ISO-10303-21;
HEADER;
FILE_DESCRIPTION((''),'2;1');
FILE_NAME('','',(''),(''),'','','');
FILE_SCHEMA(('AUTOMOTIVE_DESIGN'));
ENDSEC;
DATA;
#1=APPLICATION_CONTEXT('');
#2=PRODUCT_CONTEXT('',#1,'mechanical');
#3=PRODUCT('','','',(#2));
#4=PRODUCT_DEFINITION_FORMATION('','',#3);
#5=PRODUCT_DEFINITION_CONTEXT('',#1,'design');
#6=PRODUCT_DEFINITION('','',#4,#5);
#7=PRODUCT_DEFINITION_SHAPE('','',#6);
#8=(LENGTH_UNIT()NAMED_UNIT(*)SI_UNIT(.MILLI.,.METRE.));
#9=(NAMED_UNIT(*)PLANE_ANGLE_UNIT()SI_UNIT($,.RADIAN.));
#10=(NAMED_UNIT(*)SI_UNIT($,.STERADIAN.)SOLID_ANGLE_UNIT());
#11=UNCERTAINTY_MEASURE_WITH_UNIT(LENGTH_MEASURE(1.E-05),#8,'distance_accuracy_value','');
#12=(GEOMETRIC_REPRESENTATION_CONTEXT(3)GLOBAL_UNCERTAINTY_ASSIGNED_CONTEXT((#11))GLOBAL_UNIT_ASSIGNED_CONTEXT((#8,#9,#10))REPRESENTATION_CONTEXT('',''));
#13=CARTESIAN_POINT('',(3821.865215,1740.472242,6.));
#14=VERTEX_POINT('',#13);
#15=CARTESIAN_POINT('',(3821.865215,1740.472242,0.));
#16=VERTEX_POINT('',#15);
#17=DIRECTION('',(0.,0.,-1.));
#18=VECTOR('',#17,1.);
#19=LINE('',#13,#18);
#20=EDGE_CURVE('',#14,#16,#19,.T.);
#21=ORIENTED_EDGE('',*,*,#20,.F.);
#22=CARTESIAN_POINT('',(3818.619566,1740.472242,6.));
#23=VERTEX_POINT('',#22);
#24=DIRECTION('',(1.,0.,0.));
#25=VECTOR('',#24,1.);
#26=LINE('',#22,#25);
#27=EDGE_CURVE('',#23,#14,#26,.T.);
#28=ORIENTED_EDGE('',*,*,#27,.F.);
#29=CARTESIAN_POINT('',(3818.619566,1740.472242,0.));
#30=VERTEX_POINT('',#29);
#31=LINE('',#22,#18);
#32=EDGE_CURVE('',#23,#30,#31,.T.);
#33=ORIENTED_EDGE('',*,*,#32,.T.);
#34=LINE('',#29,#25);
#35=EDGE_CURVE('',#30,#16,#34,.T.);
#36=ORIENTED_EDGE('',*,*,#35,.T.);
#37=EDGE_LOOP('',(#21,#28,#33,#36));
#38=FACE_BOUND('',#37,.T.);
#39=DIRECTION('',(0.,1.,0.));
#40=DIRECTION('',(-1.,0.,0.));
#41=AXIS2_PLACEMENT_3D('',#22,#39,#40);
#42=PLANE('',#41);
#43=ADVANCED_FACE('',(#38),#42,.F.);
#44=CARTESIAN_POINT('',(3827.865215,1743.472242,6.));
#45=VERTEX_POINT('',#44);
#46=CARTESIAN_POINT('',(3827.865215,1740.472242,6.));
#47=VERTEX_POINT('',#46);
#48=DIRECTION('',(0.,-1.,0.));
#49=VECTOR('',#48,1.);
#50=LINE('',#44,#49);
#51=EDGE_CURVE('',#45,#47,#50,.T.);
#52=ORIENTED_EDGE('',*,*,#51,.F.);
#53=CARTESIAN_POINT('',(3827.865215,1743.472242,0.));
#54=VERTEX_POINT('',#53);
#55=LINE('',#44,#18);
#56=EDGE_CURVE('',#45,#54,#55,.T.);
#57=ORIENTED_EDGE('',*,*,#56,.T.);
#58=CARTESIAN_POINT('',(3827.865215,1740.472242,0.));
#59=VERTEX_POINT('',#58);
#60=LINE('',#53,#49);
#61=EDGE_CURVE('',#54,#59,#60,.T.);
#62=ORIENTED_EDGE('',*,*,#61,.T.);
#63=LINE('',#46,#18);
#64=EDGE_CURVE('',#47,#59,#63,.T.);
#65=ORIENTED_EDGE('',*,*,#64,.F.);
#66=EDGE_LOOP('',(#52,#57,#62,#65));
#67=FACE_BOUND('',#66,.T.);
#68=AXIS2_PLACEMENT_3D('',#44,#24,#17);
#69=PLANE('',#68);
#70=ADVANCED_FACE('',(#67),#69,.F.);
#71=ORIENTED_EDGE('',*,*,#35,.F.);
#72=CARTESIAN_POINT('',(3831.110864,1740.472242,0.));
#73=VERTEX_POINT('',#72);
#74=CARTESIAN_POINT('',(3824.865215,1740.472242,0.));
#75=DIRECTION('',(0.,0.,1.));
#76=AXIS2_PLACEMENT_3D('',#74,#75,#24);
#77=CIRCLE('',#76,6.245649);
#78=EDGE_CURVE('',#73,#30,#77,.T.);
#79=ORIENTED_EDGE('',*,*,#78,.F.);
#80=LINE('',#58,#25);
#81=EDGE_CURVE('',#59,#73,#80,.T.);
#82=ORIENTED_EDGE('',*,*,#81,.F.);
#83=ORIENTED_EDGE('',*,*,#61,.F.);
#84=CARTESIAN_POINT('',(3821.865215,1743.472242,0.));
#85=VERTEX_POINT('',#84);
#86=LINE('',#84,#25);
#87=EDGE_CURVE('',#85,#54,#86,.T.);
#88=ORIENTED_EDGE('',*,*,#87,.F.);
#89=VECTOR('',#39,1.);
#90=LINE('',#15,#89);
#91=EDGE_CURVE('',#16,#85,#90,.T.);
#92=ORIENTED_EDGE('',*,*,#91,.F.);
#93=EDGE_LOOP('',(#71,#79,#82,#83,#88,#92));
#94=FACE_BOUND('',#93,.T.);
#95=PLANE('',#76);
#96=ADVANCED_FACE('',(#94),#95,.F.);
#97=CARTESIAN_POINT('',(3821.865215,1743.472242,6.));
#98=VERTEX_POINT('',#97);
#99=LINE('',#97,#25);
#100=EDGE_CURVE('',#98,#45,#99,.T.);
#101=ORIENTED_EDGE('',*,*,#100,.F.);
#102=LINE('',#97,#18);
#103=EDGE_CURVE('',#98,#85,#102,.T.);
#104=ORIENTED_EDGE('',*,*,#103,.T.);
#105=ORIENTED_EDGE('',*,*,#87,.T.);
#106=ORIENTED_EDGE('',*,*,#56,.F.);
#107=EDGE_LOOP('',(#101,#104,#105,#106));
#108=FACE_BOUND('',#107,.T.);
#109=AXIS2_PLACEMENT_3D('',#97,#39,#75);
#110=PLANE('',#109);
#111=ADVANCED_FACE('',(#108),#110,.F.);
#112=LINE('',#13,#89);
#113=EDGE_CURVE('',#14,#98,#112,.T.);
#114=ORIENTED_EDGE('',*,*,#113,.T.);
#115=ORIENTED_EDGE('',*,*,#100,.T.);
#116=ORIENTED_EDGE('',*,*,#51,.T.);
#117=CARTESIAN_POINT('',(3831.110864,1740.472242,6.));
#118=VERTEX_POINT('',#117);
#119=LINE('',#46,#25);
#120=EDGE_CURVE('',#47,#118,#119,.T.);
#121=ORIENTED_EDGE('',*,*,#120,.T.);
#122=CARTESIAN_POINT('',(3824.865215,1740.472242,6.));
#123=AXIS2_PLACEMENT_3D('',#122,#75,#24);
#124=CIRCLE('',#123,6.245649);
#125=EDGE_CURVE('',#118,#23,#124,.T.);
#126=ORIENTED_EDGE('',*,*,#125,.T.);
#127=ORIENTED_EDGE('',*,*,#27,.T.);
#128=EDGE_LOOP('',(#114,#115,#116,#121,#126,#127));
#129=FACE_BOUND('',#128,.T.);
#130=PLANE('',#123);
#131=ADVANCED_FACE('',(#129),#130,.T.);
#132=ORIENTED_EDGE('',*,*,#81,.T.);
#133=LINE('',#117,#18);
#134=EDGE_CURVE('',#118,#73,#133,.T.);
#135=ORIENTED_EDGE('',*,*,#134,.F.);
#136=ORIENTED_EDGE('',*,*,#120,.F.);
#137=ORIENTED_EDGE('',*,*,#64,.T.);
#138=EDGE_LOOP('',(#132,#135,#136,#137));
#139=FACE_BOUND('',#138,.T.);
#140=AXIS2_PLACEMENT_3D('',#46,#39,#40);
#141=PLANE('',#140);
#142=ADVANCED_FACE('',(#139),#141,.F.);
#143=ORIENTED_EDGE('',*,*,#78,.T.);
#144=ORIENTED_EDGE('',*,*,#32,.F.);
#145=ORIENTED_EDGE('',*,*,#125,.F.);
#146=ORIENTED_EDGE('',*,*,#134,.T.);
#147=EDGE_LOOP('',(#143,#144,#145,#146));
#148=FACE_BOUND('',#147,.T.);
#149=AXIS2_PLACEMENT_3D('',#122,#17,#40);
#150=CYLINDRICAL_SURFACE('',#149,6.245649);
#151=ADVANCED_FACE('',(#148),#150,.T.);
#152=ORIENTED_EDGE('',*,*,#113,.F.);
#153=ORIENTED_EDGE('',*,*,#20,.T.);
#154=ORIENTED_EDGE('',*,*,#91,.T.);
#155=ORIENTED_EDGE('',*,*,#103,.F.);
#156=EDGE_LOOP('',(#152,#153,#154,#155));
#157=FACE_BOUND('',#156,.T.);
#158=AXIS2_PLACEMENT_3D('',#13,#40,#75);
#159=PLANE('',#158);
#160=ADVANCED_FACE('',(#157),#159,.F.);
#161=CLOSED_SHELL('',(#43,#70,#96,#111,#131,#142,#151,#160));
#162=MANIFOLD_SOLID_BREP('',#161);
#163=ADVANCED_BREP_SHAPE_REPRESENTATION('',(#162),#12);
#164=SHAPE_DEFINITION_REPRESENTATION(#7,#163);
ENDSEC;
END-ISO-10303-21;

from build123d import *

# Parameters (mm, degrees)
BOSS_EXTRUDE1_DEPTH = 6


with BuildPart() as part:
    # Model → Boss-Extrude1 (new body)
    with BuildSketch(Plane.XY):
        with BuildLine():
            Line((3818.619566465, 1740.47224219), (3821.865215459, 1740.47224219))
            Line((3821.865215459, 1740.47224219), (3821.865215459, 1743.47224219))
            Line((3821.865215459, 1743.47224219), (3827.865215459, 1743.47224219))
            Line((3827.865215459, 1743.47224219), (3827.865215459, 1740.47224219))
            Line((3827.865215459, 1740.47224219), (3831.110864454, 1740.47224219))
            ThreePointArc((3831.110864454, 1740.47224219), (3824.865215459, 1746.717891184), (3818.619566465, 1740.47224219))
        make_face()
    extrude(amount=BOSS_EXTRUDE1_DEPTH)


solid = part.part
